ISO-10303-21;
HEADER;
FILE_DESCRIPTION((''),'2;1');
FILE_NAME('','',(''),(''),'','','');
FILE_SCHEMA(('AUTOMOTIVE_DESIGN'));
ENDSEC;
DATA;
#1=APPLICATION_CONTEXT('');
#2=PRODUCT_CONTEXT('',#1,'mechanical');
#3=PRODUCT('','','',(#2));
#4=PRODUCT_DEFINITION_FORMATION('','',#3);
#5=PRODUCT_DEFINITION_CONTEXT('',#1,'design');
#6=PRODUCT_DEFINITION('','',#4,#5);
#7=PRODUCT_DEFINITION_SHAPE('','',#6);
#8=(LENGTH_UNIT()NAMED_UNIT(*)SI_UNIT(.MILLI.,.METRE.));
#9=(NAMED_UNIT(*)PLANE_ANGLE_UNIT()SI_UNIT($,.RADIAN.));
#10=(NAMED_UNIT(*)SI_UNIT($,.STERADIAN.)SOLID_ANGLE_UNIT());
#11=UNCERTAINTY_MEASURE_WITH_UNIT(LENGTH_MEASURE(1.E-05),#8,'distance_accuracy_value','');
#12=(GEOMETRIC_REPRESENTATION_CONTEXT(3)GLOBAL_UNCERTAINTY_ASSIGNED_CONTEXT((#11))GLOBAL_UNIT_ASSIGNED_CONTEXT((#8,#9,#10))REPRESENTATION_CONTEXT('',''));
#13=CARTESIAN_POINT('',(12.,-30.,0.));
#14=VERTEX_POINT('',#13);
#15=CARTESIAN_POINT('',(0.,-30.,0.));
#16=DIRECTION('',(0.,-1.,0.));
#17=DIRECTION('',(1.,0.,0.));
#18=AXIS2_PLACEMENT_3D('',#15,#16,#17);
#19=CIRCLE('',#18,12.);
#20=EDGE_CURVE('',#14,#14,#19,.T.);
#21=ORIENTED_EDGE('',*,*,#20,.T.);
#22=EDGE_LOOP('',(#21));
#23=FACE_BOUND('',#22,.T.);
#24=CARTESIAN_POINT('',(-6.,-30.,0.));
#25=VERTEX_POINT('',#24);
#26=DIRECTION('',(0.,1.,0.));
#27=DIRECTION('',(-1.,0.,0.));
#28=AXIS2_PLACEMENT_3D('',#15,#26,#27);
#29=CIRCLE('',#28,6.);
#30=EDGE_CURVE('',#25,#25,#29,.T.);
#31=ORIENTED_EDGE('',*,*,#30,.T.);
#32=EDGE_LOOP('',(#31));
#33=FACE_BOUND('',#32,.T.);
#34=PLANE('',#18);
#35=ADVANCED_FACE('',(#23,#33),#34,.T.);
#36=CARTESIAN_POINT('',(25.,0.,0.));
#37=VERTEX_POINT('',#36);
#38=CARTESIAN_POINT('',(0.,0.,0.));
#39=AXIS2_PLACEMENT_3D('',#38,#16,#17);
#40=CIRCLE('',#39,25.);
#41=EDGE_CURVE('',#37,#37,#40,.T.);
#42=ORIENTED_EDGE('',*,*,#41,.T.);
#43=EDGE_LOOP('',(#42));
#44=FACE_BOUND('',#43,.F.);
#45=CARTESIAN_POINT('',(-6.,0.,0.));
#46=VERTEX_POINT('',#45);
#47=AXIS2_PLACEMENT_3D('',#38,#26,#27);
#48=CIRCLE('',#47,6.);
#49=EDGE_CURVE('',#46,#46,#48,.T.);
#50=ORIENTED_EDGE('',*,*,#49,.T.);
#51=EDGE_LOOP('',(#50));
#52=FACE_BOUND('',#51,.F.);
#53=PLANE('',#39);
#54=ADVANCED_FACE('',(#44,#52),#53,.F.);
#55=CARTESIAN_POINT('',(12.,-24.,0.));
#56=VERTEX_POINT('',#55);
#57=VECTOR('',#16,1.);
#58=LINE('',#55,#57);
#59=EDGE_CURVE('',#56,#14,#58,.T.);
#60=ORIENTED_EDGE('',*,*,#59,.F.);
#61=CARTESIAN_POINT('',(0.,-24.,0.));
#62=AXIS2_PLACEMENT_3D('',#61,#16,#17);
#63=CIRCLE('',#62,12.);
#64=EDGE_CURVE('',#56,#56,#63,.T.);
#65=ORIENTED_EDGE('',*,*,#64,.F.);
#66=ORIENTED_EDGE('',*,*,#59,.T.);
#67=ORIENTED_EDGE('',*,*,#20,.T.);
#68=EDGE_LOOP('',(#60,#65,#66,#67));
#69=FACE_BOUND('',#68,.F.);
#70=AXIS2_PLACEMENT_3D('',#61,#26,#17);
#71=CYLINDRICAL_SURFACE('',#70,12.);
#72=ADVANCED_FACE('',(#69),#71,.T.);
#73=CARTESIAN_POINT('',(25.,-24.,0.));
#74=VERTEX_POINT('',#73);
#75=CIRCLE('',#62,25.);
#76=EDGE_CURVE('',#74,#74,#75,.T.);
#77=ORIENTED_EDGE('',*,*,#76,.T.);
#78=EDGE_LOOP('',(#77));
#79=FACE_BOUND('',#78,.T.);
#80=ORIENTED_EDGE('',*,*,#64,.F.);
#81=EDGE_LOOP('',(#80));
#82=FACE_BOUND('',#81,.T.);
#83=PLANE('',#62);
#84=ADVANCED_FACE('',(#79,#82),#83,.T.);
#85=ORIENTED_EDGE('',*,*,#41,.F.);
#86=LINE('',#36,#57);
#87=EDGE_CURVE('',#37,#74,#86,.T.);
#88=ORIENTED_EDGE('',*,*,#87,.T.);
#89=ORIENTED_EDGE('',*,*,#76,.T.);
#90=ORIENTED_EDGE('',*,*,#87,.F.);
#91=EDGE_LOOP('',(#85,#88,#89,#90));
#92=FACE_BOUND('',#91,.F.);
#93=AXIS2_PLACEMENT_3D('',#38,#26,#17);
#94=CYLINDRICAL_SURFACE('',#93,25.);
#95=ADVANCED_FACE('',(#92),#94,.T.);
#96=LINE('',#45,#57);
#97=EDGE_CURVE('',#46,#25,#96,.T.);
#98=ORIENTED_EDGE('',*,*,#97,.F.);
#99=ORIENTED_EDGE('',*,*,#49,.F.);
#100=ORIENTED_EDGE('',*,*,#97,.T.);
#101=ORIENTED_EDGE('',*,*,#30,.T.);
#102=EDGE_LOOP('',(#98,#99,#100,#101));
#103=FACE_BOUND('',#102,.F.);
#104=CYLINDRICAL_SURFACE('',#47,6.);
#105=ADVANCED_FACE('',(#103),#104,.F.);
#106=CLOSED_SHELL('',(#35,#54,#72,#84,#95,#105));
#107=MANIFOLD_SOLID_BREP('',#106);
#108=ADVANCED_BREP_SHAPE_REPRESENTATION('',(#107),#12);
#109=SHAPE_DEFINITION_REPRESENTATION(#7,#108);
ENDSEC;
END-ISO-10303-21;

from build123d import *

# Parameters (mm, degrees)
F0_R     = 25
F1_DEPTH = 24
F2_R     = 12
F3_DEPTH = 6
F4_R     = 6
F5_DEPTH = 30.001


with BuildPart() as f1:
    # F0 (on Front) → F1 (new body)
    with BuildSketch(Plane.XZ):
        Circle(F0_R)
    extrude(amount=F1_DEPTH)

    # F2 (on face) → F3 (join)
    with BuildSketch(Plane.XZ.offset(24)):
        Circle(F2_R)
    extrude(amount=F3_DEPTH)

    # F4 (on face) → F5 (cut, through all)
    with BuildSketch(Plane(origin=(0, 0, 0), x_dir=(-1, 0, 0), z_dir=(0, 1, 0))):
        Circle(F4_R)
    extrude(amount=-F5_DEPTH, mode=Mode.SUBTRACT)


solid = f1.part
